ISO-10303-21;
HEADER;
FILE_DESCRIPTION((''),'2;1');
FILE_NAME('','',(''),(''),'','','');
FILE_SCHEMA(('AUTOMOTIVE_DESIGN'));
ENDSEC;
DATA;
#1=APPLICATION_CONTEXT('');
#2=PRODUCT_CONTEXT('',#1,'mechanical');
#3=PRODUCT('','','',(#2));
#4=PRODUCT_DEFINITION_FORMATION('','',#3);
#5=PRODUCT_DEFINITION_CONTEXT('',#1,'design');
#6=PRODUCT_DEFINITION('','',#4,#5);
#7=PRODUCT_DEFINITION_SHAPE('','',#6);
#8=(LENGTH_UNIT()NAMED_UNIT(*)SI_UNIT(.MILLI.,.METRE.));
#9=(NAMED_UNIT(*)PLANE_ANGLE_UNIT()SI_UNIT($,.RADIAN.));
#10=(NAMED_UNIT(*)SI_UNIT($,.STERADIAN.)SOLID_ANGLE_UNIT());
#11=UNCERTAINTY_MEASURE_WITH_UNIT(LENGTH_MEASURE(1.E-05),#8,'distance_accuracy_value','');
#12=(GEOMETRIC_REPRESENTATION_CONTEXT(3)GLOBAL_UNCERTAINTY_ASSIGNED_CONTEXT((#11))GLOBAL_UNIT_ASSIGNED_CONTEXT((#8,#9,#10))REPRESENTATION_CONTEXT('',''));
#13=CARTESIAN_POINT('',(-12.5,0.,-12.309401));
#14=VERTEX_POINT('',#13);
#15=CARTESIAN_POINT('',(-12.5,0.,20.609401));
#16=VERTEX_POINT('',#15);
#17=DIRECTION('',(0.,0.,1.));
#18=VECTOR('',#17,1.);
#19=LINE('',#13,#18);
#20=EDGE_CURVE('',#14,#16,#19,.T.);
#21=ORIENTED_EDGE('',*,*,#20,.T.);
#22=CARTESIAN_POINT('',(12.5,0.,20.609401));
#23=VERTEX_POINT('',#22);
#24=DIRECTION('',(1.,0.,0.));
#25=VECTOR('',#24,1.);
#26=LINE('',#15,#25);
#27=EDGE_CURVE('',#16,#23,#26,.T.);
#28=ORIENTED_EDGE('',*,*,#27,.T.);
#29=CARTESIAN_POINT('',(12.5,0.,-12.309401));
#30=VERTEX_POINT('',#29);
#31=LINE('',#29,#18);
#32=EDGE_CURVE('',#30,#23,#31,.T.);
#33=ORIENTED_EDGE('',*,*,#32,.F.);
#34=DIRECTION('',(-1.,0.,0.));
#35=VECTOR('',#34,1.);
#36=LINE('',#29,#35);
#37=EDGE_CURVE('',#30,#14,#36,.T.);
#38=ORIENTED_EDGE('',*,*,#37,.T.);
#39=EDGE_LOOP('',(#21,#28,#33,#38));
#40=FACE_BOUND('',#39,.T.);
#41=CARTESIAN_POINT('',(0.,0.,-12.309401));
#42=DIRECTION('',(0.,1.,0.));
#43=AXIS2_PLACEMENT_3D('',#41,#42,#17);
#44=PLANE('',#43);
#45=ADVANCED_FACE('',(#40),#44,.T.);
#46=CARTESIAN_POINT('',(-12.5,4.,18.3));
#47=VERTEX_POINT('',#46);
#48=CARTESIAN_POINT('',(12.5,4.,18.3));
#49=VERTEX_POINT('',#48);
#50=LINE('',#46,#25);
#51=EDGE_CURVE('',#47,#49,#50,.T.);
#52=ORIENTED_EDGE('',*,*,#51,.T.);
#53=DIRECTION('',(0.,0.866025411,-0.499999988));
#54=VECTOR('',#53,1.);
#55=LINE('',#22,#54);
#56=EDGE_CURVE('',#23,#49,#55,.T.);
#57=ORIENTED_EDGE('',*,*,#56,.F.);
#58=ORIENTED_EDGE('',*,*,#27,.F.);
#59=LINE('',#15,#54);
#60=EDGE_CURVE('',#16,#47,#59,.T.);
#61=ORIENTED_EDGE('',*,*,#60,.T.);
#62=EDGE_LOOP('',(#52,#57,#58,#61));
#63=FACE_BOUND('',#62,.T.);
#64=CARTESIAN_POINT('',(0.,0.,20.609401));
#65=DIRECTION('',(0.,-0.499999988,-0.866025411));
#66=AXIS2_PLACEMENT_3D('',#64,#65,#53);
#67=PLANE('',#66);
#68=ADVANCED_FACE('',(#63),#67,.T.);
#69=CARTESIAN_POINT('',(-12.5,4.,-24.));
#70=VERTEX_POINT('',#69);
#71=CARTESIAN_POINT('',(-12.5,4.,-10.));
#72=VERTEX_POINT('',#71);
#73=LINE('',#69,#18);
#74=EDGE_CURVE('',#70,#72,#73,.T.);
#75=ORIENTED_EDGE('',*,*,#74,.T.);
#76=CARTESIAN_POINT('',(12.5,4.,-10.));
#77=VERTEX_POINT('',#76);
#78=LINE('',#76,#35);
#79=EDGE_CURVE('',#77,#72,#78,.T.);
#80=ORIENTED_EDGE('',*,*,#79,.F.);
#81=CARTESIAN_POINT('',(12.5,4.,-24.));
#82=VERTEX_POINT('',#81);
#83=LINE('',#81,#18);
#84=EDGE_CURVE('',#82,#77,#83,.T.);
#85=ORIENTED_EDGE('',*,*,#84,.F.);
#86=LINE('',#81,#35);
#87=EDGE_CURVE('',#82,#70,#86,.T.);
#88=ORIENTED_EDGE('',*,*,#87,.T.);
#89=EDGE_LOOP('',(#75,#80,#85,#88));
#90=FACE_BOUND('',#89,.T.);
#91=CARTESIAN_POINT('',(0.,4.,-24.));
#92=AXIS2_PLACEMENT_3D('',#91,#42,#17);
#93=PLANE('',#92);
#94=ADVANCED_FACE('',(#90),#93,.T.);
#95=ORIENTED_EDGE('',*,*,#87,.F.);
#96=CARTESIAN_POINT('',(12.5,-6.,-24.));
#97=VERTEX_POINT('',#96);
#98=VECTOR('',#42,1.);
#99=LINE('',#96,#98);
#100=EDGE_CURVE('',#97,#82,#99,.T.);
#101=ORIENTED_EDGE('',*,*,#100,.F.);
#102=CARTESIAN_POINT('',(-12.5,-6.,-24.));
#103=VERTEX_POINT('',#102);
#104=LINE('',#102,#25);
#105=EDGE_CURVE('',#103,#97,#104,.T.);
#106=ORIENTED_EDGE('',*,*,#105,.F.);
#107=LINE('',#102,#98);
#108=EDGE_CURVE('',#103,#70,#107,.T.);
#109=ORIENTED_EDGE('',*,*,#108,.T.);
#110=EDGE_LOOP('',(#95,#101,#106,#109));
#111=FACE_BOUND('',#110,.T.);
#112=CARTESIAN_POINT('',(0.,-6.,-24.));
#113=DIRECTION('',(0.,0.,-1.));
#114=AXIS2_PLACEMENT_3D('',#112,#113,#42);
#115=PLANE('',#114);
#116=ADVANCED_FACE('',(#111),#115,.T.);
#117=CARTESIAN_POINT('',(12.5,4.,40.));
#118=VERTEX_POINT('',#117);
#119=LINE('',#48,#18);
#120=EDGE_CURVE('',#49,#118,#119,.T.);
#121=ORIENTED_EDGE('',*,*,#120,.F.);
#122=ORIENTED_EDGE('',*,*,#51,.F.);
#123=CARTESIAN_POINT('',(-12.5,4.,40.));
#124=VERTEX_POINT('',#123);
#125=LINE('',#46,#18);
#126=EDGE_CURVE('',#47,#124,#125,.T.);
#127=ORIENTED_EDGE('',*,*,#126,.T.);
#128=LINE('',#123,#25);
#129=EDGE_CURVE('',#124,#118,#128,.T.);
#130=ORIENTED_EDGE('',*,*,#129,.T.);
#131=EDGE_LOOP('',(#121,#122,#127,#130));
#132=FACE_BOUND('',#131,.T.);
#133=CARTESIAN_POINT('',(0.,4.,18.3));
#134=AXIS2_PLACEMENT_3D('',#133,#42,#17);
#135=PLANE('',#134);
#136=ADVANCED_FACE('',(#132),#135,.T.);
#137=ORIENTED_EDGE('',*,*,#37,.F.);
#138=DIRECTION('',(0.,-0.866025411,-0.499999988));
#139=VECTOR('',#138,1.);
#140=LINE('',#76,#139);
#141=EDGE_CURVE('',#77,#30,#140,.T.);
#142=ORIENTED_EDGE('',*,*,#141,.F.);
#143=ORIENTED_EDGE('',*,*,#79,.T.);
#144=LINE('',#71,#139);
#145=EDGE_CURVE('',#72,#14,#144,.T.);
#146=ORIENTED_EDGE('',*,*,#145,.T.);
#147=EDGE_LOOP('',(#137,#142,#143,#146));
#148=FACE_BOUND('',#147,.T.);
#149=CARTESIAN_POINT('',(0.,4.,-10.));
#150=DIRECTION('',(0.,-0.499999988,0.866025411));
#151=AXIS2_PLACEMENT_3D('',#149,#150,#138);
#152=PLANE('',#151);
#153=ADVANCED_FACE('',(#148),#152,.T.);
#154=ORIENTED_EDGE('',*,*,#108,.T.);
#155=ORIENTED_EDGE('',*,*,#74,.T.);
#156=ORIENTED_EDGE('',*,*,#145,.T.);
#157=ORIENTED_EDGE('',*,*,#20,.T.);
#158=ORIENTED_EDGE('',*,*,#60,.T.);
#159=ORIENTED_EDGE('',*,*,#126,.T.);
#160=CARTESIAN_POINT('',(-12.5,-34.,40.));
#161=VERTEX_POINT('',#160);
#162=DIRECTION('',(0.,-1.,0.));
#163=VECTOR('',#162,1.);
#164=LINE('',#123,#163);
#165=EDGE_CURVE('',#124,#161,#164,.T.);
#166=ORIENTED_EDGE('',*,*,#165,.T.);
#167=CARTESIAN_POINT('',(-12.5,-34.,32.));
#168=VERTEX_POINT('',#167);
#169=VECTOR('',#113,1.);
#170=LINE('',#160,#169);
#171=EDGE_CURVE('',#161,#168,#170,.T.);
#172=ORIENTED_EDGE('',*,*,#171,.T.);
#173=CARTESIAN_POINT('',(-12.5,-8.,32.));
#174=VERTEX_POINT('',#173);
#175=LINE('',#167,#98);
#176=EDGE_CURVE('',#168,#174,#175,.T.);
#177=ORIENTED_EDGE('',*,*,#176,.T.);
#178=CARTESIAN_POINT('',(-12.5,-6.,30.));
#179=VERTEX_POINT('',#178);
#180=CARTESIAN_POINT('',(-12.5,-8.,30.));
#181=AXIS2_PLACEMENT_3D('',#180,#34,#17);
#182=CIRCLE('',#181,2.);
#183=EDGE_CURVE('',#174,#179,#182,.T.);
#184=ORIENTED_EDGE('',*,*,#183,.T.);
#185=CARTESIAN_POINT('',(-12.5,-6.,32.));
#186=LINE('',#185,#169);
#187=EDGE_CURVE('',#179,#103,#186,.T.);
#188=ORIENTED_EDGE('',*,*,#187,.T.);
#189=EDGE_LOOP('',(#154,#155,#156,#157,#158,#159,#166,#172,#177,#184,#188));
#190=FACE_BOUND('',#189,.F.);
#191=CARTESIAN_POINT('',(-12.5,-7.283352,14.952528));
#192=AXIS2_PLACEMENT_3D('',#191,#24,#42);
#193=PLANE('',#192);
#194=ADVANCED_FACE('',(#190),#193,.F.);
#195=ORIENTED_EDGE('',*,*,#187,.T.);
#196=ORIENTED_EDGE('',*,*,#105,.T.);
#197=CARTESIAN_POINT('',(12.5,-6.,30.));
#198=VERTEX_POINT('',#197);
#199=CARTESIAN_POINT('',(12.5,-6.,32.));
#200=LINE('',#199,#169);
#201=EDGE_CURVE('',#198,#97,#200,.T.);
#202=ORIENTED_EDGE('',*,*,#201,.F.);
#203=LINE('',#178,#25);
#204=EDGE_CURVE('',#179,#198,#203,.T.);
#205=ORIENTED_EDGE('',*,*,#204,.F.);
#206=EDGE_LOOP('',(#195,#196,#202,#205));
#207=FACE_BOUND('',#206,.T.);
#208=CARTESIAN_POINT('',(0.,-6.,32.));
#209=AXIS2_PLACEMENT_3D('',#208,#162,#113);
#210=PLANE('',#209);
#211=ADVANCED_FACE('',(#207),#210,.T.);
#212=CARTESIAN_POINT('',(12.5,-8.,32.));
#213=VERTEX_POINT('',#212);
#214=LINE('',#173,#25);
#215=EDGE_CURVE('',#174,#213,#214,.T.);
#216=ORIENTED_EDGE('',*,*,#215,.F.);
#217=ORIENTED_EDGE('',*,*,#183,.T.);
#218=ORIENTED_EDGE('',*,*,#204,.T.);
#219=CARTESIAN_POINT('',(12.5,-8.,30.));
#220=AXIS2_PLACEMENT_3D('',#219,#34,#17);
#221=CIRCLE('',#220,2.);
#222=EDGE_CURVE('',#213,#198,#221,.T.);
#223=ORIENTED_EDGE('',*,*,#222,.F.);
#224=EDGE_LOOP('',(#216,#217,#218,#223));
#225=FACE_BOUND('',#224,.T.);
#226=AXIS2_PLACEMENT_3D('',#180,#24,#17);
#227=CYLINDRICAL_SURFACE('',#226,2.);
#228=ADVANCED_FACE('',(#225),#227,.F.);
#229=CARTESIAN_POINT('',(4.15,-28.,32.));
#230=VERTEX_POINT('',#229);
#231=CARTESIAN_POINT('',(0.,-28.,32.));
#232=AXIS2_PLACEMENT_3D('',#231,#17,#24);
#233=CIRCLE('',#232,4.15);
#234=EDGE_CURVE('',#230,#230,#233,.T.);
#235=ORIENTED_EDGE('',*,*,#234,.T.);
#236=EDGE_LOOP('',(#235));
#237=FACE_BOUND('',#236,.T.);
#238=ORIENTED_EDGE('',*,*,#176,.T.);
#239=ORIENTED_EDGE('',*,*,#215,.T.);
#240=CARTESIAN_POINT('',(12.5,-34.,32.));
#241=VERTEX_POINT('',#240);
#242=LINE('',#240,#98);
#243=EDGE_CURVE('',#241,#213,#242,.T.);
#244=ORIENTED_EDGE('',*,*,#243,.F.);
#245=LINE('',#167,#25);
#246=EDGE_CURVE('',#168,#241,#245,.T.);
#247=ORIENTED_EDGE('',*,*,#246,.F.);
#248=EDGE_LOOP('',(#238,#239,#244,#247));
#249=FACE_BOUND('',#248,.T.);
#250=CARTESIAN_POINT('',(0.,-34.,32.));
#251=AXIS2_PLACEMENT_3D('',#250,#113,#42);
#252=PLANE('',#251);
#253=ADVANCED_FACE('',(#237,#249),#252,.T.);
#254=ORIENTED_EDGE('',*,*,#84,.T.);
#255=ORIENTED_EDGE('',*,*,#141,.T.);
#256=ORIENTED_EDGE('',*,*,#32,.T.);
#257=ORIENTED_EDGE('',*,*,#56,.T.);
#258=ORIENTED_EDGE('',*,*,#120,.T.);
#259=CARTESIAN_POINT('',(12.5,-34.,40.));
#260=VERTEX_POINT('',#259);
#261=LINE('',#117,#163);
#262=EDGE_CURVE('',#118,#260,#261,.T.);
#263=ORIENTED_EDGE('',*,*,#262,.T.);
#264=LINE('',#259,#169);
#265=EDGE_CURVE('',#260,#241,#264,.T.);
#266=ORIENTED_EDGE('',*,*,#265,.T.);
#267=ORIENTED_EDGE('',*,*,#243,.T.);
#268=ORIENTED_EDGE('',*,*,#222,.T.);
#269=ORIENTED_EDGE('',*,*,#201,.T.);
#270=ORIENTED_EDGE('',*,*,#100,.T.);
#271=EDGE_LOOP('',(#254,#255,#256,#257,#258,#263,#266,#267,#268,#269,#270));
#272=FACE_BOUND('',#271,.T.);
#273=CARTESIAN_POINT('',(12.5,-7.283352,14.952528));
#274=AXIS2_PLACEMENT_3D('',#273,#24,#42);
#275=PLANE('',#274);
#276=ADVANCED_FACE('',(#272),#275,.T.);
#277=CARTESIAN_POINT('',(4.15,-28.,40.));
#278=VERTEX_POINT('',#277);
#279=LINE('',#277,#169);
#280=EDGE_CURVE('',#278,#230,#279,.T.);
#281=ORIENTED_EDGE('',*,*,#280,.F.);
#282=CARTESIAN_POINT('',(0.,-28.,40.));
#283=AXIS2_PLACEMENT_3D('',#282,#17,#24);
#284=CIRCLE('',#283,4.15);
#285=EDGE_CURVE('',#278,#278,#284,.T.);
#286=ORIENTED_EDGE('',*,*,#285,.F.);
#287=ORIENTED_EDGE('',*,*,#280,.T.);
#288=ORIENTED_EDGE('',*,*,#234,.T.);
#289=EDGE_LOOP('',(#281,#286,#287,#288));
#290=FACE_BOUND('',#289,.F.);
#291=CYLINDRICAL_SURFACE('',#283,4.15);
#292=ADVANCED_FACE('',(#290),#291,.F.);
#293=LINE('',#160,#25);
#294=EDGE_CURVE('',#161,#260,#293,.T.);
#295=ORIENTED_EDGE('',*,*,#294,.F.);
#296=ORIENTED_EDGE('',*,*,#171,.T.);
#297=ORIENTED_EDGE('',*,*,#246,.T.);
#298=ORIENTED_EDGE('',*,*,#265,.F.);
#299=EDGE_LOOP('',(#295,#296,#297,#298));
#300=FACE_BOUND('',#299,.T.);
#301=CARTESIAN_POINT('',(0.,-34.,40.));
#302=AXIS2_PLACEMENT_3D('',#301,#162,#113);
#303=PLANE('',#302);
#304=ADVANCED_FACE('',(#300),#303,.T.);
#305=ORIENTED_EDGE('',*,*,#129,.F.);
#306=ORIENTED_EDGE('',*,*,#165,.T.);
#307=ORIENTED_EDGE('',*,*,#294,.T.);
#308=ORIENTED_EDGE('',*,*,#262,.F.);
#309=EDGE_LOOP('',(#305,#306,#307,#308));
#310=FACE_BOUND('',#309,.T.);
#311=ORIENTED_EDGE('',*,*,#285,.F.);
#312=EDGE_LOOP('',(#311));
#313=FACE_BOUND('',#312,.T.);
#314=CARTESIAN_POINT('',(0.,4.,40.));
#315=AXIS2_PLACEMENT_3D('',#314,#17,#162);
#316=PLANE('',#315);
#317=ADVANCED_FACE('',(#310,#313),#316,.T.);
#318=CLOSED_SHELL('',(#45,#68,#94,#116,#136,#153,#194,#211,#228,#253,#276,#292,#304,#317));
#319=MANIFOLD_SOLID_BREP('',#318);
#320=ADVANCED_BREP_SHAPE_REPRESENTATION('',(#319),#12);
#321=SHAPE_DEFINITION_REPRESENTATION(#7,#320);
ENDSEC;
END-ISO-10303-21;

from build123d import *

# Parameters (mm, degrees)
F1_DEPTH = 12.5
F2_R     = 4.15
F3_DEPTH = 8
F4_R     = 2


with BuildPart() as f1:
    # F0 (on Right) → F1 (new body, symmetric)
    with BuildSketch(Plane.YZ):
        Polygon((0, -12.309401), (0, 20.609401), (4, 18.3), (4, 40), (-6, 40), (-34, 40), (-34, 32), (-6, 32), (-6, -24), (4, -24), (4, -10), align=None)
    extrude(amount=F1_DEPTH, both=True)

    # F2 (on face) → F3 (cut, through all)
    with BuildSketch(Plane.XY.offset(40)):
        with Locations((0, -28)):
            Circle(F2_R)
    extrude(amount=-F3_DEPTH, mode=Mode.SUBTRACT)

    # F4
    f4_edges = [f1.edges().sort_by_distance(p)[0] for p in [
        (0, -6, 32),
    ]]
    fillet(f4_edges, radius=F4_R)


solid = f1.part
